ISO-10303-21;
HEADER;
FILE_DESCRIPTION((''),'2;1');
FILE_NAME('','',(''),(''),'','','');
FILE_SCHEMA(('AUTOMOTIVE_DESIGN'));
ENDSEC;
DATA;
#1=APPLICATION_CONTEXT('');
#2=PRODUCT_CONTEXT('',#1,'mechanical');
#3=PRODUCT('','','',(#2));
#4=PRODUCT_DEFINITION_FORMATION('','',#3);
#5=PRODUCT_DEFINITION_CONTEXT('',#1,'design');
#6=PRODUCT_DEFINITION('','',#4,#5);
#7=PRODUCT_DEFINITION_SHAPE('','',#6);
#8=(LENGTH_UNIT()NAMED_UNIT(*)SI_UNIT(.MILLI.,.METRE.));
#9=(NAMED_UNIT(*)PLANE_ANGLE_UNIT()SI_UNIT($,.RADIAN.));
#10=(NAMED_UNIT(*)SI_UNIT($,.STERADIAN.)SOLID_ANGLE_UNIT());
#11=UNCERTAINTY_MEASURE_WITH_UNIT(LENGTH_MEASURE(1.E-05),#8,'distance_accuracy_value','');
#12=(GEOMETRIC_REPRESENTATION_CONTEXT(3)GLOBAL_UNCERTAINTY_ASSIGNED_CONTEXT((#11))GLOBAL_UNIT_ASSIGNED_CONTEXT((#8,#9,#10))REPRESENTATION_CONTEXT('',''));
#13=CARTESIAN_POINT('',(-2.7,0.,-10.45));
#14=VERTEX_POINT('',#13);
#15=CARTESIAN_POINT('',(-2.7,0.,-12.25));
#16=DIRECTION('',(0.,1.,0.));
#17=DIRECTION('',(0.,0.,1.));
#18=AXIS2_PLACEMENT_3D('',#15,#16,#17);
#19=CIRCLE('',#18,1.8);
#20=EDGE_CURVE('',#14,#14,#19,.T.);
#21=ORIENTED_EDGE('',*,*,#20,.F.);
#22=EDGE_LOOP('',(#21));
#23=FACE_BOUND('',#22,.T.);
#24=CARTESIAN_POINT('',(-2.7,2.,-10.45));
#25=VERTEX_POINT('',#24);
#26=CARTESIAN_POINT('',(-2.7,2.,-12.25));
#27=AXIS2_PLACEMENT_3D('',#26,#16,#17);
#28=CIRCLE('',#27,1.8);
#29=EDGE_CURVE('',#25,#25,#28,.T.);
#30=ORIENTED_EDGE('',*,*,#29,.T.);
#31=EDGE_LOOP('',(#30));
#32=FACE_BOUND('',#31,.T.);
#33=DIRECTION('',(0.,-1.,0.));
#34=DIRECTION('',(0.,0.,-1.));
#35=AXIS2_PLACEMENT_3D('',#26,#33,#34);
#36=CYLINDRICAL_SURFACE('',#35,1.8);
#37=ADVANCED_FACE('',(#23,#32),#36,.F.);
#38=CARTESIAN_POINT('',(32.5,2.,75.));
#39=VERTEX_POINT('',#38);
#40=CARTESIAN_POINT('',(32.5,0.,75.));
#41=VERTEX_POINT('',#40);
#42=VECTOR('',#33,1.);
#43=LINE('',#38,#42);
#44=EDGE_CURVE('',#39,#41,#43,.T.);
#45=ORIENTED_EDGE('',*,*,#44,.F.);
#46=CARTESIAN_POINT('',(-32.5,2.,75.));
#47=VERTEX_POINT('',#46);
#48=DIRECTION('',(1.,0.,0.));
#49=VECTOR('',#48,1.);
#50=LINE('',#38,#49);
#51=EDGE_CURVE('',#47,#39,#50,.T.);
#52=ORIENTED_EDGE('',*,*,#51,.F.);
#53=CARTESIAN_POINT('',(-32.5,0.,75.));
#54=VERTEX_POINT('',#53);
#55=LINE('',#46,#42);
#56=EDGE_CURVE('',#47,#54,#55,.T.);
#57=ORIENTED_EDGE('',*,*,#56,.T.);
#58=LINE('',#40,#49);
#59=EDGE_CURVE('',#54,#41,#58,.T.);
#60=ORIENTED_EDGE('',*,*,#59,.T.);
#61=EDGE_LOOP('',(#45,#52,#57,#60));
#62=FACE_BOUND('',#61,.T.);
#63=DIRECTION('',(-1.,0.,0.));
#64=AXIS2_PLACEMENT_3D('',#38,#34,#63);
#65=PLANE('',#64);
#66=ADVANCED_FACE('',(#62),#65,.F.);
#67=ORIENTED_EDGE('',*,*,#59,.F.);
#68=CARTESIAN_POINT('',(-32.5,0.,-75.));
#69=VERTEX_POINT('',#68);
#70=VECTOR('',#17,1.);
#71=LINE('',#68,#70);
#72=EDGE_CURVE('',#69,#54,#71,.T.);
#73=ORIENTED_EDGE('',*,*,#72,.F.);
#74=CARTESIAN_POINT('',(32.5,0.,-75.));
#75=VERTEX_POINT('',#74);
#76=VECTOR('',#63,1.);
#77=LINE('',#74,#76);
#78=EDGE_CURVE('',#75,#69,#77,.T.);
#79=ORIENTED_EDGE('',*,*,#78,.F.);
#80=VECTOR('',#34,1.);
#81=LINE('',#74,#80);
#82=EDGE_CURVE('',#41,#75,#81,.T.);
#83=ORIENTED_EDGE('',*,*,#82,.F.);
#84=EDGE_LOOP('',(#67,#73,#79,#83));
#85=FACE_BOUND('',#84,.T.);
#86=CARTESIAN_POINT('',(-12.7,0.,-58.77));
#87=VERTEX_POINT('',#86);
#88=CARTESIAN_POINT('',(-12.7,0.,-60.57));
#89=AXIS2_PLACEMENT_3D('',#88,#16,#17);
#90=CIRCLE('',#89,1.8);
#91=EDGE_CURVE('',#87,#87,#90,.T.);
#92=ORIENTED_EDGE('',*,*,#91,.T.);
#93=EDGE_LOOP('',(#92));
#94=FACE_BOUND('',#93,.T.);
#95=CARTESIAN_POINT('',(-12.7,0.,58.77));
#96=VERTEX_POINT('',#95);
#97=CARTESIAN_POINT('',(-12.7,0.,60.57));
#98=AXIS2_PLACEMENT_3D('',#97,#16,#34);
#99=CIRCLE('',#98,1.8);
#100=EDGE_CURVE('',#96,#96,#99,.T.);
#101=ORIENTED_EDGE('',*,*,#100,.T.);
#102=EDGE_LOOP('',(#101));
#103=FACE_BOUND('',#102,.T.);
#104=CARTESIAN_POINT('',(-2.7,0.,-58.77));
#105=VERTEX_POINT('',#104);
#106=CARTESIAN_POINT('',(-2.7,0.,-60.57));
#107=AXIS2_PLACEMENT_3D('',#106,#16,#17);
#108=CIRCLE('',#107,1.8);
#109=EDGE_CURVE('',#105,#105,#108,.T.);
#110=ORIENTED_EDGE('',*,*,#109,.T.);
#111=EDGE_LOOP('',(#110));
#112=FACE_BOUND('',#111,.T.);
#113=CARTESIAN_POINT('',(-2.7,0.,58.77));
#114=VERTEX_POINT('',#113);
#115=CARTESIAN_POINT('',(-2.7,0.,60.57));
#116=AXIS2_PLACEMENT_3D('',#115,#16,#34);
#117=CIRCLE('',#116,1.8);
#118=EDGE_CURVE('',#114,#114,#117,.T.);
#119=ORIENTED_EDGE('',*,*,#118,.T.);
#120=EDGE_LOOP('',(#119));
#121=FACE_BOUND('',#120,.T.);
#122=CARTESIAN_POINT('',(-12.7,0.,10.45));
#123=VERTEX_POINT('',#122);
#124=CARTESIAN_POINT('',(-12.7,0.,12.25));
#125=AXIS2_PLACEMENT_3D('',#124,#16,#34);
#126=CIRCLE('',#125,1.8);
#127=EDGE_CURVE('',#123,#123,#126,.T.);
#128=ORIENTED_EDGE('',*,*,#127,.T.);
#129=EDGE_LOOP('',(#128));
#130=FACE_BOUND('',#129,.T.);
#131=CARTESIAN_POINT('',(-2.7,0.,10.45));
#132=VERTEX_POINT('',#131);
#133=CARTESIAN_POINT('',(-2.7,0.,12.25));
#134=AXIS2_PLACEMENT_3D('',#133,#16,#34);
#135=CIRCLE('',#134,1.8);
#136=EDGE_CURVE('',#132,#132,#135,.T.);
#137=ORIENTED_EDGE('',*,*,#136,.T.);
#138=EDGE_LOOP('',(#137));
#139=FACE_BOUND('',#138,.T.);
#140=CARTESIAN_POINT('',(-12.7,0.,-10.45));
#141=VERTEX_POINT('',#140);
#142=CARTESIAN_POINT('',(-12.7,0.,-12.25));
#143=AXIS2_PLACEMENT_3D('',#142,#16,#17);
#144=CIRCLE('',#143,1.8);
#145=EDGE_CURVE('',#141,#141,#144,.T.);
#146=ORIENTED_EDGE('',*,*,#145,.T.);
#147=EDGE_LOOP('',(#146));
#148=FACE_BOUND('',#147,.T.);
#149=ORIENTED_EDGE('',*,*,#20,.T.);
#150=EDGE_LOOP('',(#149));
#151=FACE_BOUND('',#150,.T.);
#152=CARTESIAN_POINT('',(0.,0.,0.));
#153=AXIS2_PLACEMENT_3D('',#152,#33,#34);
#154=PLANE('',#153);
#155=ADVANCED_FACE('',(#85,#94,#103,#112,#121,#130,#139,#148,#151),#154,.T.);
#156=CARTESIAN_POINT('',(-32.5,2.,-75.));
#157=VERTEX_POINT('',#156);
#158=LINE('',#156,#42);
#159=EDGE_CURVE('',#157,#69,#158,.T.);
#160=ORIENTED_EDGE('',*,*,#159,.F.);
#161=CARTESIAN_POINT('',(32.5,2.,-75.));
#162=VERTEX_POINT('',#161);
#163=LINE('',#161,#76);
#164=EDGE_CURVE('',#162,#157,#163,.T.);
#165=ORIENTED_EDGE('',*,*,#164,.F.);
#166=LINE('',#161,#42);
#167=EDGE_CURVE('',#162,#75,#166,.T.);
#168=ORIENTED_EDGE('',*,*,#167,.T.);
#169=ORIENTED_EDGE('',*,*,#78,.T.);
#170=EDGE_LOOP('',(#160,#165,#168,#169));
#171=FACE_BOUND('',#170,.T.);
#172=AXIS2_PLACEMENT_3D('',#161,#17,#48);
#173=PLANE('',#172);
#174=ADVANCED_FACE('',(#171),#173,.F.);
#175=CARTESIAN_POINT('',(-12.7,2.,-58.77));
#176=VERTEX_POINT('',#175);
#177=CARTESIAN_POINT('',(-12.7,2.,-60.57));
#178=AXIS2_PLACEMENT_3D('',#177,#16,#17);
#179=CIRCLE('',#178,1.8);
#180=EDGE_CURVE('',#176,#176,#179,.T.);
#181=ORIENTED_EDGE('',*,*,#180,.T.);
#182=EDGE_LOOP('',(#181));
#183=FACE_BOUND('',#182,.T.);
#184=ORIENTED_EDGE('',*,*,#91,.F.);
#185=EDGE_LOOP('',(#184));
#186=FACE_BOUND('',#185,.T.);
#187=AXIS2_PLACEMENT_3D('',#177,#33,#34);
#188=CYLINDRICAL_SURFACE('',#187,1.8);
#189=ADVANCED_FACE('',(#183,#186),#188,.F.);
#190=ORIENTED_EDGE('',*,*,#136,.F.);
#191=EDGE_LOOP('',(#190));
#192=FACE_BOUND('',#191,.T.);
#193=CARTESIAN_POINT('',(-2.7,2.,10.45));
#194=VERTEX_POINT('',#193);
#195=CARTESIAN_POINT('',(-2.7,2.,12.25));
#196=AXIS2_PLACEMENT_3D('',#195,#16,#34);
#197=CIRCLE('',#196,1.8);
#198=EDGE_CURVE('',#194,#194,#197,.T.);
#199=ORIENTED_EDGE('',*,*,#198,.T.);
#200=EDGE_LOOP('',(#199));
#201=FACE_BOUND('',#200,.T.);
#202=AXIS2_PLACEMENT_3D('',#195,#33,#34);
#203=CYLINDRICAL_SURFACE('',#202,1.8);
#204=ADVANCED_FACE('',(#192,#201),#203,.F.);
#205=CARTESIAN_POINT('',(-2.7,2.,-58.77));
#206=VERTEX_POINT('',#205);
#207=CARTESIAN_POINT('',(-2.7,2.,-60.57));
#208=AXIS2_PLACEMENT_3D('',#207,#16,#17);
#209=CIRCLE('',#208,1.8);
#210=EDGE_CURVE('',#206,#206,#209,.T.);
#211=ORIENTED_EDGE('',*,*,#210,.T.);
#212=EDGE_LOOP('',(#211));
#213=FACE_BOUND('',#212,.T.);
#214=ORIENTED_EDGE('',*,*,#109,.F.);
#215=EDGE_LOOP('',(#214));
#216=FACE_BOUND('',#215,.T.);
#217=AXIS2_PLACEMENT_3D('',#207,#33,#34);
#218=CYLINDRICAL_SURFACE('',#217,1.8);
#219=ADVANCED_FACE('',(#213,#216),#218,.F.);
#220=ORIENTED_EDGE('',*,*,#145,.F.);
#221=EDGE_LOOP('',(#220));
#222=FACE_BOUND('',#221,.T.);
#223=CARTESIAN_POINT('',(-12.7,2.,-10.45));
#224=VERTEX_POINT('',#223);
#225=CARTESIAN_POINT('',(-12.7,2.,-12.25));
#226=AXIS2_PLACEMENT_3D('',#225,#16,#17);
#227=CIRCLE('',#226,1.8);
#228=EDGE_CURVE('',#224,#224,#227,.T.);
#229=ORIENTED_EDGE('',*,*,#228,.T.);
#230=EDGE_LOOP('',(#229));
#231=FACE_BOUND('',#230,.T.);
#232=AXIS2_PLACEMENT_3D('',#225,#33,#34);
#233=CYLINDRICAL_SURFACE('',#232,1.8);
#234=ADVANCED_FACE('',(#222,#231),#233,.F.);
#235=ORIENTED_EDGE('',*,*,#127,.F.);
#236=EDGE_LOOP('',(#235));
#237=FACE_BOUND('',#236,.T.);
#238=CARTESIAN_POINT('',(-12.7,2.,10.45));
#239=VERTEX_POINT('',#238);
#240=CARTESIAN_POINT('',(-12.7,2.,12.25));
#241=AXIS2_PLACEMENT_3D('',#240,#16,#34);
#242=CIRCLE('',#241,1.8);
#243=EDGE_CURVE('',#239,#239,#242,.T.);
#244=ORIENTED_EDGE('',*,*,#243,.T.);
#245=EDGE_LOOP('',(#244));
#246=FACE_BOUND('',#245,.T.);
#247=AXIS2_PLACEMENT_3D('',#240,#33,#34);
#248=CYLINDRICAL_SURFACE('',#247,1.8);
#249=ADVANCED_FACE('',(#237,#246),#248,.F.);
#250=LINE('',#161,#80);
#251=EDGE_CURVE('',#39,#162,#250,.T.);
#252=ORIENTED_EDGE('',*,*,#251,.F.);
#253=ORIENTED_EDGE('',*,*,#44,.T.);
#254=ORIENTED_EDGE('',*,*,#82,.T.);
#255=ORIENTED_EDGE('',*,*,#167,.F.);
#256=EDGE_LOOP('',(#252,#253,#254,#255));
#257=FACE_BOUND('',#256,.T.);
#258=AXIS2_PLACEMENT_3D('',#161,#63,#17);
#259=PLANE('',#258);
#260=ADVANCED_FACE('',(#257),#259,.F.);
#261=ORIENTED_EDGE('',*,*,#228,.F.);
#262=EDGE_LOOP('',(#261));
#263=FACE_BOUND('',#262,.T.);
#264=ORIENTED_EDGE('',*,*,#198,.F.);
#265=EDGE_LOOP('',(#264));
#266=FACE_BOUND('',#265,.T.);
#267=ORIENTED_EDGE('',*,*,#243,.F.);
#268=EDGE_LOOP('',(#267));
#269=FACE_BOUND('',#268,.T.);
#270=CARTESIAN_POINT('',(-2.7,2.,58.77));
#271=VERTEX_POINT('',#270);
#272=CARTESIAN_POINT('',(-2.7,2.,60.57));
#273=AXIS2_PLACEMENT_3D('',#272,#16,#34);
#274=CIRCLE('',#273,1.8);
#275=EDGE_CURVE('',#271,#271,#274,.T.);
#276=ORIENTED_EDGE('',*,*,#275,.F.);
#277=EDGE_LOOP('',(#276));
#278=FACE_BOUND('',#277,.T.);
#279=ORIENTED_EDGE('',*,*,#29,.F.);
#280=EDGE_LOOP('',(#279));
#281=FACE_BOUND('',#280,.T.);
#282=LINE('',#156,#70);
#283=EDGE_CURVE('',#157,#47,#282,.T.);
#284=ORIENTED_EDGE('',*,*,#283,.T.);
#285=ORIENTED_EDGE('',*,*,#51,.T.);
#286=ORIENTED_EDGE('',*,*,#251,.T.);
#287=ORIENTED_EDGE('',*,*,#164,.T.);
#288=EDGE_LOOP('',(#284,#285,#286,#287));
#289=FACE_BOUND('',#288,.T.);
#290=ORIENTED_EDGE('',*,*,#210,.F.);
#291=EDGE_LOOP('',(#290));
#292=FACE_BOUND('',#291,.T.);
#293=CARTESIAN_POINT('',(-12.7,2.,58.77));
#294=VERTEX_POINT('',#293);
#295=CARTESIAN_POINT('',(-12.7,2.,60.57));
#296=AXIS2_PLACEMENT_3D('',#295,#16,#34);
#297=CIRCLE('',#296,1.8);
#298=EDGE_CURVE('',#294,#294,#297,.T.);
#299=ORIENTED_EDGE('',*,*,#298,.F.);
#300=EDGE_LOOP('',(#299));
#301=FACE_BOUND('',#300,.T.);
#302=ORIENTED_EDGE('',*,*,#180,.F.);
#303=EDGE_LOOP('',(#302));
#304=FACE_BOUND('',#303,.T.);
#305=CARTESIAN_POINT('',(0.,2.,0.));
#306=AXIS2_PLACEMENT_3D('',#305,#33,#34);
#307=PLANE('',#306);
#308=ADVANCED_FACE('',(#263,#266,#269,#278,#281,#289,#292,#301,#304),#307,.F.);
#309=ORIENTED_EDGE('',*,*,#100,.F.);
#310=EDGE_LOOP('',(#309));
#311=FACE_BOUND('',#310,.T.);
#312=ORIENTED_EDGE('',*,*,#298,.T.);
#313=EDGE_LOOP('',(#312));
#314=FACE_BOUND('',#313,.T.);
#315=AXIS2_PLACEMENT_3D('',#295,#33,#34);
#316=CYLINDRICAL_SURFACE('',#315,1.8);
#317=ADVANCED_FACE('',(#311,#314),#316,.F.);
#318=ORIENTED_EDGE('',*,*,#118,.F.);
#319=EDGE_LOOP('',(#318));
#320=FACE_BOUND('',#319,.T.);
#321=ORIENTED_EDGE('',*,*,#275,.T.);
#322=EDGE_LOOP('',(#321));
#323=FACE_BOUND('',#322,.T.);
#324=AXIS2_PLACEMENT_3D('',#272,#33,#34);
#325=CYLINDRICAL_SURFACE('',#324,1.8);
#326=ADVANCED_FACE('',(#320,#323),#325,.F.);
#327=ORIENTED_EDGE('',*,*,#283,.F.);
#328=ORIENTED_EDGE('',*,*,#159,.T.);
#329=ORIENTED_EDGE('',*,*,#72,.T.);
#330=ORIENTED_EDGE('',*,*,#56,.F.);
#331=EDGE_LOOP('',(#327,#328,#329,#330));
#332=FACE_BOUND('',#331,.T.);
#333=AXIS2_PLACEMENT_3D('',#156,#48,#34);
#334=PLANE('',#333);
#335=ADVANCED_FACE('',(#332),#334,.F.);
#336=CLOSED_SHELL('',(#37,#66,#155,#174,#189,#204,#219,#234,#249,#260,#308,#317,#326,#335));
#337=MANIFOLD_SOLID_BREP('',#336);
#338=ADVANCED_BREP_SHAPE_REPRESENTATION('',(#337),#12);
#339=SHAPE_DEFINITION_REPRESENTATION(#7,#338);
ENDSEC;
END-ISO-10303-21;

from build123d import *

# Parameters (mm, degrees)
CROQUIS1_W              = 65
CROQUIS1_H              = 150
CROQUIS1_R              = 1.8
SALIENTE_EXTRUIR1_DEPTH = 2


with BuildPart() as part:
    # Croquis1 → Saliente-Extruir1 (new body)
    with BuildSketch(Plane(origin=(0, 0, 0), x_dir=(1, 0, 0), z_dir=(0, 1, 0))):
        Rectangle(CROQUIS1_W, CROQUIS1_H)
        with Locations(Location((-2.7, 12.25, 0), (0, 0, 270))):
            Circle(CROQUIS1_R, mode=Mode.SUBTRACT)
        with Locations(Location((-2.7, 60.57, 0), (0, 0, 270))):
            Circle(CROQUIS1_R, mode=Mode.SUBTRACT)
        with Locations(Location((-12.7, -60.57, 0), (0, 0, 90))):
            Circle(CROQUIS1_R, mode=Mode.SUBTRACT)
        with Locations(Location((-2.7, -60.57, 0), (0, 0, 90))):
            Circle(CROQUIS1_R, mode=Mode.SUBTRACT)
        with Locations(Location((-12.7, 12.25, 0), (0, 0, 270))):
            Circle(CROQUIS1_R, mode=Mode.SUBTRACT)
        with Locations(Location((-12.7, 60.57, 0), (0, 0, 270))):
            Circle(CROQUIS1_R, mode=Mode.SUBTRACT)
        with Locations(Location((-12.7, -12.25, 0), (0, 0, 90))):
            Circle(CROQUIS1_R, mode=Mode.SUBTRACT)
        with Locations(Location((-2.7, -12.25, 0), (0, 0, 90))):
            Circle(CROQUIS1_R, mode=Mode.SUBTRACT)
    extrude(amount=SALIENTE_EXTRUIR1_DEPTH)


solid = part.part
